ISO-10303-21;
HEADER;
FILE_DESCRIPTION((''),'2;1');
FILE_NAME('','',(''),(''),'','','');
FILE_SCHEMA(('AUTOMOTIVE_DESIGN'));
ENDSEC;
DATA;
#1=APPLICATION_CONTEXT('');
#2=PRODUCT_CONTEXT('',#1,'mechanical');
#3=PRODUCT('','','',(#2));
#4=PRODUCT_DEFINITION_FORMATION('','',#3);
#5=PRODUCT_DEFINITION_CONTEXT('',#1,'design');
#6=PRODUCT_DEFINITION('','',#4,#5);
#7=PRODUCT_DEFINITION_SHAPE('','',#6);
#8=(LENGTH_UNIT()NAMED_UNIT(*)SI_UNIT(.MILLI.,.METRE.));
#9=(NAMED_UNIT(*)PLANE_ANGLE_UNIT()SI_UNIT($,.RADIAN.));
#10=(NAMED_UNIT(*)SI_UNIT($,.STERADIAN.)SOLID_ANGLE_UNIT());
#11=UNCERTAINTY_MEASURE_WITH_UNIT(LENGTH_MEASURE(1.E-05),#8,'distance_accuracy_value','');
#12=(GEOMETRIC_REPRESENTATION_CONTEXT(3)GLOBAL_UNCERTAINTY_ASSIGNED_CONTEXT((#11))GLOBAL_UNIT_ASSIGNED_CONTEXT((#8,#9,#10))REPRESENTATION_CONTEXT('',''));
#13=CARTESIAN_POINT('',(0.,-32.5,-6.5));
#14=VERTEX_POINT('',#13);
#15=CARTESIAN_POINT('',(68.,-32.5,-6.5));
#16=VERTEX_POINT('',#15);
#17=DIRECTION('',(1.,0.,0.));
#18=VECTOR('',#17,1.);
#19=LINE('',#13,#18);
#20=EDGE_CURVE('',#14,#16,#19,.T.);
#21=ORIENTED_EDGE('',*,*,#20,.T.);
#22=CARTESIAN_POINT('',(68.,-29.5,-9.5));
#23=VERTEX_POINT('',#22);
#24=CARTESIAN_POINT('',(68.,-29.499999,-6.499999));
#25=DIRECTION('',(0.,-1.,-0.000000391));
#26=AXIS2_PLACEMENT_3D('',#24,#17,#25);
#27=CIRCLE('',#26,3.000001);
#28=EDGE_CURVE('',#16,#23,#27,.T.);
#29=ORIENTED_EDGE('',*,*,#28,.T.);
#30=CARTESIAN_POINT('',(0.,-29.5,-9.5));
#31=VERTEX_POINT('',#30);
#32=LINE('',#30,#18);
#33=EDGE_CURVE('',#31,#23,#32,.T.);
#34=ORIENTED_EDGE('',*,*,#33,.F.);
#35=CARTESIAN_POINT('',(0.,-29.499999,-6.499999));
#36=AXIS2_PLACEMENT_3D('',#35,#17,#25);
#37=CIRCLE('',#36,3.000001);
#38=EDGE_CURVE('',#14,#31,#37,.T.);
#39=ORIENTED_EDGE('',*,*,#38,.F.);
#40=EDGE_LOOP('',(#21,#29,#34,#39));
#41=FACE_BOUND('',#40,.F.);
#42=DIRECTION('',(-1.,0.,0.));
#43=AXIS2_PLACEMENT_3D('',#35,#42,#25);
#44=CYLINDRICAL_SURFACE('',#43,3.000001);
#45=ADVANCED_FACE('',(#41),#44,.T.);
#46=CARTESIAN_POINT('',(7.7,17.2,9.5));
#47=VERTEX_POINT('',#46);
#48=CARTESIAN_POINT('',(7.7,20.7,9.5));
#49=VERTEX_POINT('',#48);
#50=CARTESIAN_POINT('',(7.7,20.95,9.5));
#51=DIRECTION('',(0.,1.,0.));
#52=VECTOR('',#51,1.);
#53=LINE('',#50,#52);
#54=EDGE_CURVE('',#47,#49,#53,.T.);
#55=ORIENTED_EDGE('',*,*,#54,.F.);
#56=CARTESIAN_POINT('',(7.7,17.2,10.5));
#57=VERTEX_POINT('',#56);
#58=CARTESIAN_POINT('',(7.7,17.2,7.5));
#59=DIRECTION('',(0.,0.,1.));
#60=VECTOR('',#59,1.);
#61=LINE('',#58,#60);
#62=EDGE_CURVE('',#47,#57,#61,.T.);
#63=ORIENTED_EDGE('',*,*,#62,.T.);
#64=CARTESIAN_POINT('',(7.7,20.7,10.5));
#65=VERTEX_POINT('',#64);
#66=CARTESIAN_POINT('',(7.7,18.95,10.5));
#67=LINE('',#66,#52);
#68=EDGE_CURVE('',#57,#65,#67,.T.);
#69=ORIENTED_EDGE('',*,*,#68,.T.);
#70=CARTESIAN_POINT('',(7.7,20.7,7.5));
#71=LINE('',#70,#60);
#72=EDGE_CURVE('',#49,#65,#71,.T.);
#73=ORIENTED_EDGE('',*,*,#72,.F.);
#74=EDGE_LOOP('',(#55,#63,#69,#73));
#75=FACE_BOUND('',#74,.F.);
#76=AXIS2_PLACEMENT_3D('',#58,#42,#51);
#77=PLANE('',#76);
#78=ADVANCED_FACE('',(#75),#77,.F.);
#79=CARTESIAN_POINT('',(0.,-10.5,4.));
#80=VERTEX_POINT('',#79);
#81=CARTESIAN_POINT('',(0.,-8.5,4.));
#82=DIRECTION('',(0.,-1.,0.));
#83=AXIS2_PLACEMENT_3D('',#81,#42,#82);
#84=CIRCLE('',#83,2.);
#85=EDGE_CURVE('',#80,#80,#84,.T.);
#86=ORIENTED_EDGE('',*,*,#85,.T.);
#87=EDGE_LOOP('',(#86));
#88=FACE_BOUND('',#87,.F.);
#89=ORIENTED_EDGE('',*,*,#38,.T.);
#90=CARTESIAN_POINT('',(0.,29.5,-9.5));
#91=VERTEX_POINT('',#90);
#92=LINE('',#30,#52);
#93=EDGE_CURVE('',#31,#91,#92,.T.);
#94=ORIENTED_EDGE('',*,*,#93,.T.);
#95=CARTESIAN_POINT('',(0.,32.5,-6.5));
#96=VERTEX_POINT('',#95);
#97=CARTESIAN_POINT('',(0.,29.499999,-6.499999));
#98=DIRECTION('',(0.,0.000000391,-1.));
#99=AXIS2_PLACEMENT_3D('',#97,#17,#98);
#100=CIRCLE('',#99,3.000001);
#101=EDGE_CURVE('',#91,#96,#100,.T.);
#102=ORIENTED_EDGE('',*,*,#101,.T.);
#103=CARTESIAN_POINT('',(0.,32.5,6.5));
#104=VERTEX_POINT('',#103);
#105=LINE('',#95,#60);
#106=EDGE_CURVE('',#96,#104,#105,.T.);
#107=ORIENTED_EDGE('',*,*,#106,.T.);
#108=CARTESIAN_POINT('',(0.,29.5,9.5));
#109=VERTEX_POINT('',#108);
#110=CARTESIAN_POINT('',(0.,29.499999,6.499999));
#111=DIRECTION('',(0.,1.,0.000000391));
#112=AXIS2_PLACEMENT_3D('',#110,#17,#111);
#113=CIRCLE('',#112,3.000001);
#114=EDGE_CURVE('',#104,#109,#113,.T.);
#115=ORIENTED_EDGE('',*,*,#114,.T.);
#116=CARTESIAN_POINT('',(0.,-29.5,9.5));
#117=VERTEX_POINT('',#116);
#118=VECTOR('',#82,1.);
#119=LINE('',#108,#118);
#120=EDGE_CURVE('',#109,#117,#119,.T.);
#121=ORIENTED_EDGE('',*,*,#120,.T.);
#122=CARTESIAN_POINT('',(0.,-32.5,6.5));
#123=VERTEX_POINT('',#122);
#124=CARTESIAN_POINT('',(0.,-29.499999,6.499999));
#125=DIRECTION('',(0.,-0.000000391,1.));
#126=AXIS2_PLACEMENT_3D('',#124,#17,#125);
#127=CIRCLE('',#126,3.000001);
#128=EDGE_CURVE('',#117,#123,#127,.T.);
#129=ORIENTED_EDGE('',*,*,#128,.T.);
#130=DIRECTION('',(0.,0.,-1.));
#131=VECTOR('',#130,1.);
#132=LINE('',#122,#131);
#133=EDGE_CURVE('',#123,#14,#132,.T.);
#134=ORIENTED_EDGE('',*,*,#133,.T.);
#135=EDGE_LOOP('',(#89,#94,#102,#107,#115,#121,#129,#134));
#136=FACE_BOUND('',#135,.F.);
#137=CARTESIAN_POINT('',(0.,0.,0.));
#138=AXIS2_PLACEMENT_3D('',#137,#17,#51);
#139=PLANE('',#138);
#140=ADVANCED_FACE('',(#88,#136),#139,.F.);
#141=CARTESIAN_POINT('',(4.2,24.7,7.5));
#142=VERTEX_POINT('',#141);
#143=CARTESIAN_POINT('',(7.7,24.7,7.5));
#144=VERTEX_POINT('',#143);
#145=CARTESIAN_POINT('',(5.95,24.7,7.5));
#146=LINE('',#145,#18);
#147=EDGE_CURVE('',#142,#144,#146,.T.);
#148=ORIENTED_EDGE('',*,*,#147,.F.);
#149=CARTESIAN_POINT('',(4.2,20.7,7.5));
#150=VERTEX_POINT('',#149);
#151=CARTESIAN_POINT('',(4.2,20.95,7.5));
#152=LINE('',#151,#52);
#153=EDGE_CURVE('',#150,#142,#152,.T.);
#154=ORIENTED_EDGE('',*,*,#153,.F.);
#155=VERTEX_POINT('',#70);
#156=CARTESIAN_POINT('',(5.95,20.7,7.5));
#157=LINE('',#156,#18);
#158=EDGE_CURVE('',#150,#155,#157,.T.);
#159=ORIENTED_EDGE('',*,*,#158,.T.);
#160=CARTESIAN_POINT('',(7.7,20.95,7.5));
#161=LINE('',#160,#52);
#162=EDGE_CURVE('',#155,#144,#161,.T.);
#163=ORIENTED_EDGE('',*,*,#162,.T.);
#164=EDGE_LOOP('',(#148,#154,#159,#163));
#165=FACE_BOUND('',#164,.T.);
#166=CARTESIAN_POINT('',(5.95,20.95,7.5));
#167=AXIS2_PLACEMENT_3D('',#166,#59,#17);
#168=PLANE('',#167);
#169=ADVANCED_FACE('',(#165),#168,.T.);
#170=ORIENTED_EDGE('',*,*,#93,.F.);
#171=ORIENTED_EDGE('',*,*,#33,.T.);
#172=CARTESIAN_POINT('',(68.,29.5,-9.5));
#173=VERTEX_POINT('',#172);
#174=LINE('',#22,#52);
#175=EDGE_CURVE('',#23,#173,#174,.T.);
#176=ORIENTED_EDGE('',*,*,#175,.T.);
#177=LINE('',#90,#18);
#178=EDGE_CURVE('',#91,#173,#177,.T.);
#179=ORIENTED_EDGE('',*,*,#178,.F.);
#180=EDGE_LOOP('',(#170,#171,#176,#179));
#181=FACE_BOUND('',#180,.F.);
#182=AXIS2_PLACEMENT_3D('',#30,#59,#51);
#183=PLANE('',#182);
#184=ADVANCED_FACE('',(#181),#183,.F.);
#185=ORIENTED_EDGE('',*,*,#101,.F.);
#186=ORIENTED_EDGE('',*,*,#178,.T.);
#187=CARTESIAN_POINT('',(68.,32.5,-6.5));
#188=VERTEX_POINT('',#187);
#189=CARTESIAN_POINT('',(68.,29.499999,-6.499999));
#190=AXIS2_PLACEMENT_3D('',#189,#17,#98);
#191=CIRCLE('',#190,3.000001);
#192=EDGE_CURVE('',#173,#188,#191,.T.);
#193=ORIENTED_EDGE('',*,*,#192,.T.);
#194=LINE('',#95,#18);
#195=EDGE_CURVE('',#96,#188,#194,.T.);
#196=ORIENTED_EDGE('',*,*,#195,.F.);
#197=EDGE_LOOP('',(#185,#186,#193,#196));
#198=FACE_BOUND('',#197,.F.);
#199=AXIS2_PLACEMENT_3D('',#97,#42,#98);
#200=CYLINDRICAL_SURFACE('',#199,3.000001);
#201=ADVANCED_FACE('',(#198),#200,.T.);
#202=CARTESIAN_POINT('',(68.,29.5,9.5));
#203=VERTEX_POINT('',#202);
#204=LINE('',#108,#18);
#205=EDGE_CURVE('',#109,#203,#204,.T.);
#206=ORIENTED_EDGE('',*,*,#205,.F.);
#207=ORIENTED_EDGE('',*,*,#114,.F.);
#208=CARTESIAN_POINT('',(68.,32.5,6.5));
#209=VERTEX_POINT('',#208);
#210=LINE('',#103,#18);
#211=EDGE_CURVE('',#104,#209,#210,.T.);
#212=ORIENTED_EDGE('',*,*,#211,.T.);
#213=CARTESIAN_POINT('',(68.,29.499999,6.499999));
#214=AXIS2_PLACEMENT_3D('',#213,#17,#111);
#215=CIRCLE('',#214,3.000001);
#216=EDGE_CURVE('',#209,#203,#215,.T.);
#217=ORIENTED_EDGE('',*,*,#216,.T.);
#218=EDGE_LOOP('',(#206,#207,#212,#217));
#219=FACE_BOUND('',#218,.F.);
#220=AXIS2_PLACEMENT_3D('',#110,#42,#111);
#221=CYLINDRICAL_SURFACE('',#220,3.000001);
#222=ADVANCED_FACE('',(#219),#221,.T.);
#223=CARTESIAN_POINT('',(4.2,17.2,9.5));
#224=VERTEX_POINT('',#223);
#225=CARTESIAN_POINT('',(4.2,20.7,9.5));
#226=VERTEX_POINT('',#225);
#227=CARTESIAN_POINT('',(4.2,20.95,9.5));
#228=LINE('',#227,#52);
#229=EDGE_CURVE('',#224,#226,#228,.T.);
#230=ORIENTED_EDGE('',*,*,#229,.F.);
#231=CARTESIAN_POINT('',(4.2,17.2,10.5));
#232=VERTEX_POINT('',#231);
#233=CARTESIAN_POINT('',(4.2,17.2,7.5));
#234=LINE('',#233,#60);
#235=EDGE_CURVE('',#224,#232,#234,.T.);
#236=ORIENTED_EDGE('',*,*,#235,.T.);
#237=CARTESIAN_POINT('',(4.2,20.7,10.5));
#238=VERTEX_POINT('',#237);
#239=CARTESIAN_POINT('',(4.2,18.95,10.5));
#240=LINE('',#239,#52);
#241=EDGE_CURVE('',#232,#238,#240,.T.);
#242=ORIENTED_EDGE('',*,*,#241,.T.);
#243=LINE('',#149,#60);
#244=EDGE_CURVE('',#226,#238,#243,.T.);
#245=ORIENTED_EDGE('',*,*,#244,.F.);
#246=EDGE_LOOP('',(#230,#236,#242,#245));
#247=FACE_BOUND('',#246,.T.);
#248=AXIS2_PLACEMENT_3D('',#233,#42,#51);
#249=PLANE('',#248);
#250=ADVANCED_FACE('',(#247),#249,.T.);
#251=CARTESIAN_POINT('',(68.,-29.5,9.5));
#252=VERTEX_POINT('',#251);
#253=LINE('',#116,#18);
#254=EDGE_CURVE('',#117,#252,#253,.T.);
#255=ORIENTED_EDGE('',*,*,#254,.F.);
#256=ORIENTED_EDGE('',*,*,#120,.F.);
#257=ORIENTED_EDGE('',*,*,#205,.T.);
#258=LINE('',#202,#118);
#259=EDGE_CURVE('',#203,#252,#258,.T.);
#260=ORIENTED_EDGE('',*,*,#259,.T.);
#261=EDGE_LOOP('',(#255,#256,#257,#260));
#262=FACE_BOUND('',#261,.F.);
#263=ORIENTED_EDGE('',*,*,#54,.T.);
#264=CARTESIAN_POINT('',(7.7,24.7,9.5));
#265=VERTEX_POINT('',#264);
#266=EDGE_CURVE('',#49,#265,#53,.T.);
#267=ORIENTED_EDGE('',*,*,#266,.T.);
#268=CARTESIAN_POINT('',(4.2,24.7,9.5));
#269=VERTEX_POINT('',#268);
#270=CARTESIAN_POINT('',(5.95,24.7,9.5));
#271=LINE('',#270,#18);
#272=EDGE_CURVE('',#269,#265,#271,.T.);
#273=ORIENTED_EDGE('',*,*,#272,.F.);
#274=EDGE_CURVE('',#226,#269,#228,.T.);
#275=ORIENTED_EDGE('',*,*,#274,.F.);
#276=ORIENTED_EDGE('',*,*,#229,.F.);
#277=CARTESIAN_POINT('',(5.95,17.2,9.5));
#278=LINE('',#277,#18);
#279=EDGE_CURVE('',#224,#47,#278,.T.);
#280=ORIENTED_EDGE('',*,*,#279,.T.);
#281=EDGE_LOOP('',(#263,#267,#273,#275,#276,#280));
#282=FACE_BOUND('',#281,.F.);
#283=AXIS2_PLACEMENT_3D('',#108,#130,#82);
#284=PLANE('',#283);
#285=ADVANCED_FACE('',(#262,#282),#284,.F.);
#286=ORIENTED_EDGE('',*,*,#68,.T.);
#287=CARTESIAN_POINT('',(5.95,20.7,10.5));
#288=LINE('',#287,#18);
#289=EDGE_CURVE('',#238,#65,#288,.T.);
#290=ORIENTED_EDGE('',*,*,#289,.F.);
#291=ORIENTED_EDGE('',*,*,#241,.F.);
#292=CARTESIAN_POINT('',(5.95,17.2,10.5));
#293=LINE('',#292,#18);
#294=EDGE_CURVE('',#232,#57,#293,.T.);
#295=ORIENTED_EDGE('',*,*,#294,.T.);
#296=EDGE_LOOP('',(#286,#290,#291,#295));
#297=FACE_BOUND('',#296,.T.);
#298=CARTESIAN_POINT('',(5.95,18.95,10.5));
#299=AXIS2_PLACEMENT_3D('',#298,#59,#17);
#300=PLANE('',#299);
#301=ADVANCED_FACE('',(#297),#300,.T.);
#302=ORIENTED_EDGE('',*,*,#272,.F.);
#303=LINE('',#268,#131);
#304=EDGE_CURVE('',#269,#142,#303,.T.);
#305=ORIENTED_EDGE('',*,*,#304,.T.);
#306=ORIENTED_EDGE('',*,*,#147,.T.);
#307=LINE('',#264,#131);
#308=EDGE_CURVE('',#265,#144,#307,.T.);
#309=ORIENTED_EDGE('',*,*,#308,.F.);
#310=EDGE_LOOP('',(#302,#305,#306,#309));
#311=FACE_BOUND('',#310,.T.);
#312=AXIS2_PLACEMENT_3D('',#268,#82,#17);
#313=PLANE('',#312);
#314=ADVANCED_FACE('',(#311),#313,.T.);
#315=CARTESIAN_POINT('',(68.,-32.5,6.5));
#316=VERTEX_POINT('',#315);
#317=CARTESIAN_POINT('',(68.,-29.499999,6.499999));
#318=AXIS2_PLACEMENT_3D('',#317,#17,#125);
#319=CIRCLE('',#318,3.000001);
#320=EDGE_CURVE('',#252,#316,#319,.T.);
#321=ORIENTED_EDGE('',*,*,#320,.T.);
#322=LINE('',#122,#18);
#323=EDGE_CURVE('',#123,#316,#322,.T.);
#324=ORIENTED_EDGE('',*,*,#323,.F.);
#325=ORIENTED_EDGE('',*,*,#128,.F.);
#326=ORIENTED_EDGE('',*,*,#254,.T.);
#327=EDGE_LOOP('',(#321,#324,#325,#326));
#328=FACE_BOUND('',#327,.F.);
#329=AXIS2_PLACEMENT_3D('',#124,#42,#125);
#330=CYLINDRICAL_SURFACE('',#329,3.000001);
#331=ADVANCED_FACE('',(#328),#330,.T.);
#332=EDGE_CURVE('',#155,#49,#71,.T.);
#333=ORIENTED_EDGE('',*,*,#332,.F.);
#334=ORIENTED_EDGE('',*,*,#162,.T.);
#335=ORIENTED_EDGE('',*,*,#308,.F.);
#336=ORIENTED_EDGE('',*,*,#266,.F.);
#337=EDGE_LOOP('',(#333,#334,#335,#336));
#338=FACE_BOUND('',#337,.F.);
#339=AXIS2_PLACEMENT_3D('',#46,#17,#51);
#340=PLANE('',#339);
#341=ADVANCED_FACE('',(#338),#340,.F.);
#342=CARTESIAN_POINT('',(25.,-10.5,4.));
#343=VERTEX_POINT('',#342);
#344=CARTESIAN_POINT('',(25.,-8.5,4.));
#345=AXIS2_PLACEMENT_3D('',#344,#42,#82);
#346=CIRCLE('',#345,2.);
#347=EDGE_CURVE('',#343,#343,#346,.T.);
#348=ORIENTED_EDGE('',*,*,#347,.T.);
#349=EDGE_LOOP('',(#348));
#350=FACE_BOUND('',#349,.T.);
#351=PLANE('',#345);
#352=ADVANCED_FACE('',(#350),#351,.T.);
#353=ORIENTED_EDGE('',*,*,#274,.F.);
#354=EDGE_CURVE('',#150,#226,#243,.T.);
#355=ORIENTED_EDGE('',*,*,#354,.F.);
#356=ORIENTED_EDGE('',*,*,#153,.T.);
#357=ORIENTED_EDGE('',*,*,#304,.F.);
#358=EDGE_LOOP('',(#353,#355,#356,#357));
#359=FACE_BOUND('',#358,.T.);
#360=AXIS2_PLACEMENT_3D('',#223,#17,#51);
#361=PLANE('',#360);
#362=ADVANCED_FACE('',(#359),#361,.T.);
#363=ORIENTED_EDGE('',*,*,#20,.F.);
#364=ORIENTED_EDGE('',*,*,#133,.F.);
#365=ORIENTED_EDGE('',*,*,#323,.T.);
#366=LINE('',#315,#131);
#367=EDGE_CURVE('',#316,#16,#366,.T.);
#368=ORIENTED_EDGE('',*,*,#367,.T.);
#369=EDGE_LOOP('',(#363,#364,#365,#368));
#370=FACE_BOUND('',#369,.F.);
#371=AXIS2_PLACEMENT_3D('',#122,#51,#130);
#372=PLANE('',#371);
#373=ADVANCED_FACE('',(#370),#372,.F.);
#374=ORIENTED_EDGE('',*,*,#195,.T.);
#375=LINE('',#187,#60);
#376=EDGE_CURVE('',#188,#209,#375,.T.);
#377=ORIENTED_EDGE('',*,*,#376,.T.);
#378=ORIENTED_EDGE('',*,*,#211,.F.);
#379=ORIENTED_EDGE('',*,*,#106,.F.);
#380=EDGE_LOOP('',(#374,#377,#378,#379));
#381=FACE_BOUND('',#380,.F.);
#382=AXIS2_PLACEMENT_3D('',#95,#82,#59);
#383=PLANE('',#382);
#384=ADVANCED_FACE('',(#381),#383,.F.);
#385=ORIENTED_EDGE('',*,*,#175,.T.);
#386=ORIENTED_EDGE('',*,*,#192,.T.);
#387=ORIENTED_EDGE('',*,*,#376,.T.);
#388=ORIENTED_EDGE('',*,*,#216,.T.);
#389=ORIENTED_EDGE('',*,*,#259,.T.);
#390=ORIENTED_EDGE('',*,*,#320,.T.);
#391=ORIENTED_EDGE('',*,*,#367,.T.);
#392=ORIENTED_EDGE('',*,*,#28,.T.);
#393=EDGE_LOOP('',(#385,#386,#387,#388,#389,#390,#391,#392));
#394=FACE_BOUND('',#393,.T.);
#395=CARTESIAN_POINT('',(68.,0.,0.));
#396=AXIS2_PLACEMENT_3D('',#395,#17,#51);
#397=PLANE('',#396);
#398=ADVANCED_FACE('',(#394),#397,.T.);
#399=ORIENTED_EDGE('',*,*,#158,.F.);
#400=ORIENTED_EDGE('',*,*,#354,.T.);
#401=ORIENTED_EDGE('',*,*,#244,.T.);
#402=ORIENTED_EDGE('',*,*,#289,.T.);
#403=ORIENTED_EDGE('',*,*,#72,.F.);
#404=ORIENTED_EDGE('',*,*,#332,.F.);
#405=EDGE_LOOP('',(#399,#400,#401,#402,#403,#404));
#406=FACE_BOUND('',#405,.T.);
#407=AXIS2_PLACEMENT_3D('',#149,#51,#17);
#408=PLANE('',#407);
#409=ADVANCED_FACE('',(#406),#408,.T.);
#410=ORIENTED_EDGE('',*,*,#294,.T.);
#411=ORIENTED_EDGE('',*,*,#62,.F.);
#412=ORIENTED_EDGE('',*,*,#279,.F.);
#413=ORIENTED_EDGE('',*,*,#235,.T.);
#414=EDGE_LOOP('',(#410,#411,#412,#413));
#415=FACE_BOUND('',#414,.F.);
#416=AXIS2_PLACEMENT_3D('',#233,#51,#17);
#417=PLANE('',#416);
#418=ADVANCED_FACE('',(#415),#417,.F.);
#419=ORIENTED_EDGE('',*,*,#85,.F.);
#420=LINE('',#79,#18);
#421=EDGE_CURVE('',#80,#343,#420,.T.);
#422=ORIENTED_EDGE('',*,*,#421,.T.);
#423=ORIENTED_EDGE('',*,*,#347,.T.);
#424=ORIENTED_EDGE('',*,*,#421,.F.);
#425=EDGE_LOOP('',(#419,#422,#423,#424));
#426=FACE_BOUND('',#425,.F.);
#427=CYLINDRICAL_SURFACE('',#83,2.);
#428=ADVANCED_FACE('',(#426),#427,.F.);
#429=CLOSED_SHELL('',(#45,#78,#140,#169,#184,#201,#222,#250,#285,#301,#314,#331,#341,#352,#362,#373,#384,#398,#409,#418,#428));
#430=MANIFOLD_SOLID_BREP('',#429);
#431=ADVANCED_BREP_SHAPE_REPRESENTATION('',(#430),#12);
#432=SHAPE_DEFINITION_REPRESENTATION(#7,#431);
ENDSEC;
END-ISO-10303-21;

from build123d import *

# Parameters (mm, degrees)
F1_DEPTH = 68
F2_W     = 3.5
F2_H     = 7.5
F3_DEPTH = 2
F4_R     = 2
F5_DEPTH = 25
F6_W     = 3.5
F6_H     = 3.5
F7_DEPTH = 3


with BuildPart() as f1:
    # F0 (on Right) → F1 (new body)
    with BuildSketch(Plane.YZ):
        with BuildLine():
            Line((-29.5, -9.5), (29.5, -9.5))
            ThreePointArc((29.5, -9.5), (31.62132, -8.62132), (32.5, -6.5))
            Line((32.5, -6.5), (32.5, 6.5))
            ThreePointArc((32.5, 6.5), (31.62132, 8.62132), (29.5, 9.5))
            Line((29.5, 9.5), (-29.5, 9.5))
            ThreePointArc((-29.5, 9.5), (-31.62132, 8.62132), (-32.5, 6.5))
            Line((-32.5, 6.5), (-32.5, -6.5))
            ThreePointArc((-32.5, -6.5), (-31.62132, -8.62132), (-29.5, -9.5))
        make_face()
    extrude(amount=F1_DEPTH)

    # F2 (on face) → F3 (cut)
    with BuildSketch(Plane.XY.offset(9.5)):
        with Locations((5.95, 20.95)):
            Rectangle(F2_W, F2_H)
    extrude(amount=-F3_DEPTH, mode=Mode.SUBTRACT)

    # F4 (on face) → F5 (cut)
    with BuildSketch(Plane(origin=(0, 0, 0), x_dir=(0, -1, 0), z_dir=(-1, 0, 0))):
        with Locations((8.5, 4)):
            Circle(F4_R)
    extrude(amount=-F5_DEPTH, mode=Mode.SUBTRACT)

    # F6 (on face) → F7 (join)
    with BuildSketch(Plane.XY.offset(7.5)):
        with Locations((5.95, 18.95)):
            Rectangle(F6_W, F6_H)
    extrude(amount=F7_DEPTH)


solid = f1.part
